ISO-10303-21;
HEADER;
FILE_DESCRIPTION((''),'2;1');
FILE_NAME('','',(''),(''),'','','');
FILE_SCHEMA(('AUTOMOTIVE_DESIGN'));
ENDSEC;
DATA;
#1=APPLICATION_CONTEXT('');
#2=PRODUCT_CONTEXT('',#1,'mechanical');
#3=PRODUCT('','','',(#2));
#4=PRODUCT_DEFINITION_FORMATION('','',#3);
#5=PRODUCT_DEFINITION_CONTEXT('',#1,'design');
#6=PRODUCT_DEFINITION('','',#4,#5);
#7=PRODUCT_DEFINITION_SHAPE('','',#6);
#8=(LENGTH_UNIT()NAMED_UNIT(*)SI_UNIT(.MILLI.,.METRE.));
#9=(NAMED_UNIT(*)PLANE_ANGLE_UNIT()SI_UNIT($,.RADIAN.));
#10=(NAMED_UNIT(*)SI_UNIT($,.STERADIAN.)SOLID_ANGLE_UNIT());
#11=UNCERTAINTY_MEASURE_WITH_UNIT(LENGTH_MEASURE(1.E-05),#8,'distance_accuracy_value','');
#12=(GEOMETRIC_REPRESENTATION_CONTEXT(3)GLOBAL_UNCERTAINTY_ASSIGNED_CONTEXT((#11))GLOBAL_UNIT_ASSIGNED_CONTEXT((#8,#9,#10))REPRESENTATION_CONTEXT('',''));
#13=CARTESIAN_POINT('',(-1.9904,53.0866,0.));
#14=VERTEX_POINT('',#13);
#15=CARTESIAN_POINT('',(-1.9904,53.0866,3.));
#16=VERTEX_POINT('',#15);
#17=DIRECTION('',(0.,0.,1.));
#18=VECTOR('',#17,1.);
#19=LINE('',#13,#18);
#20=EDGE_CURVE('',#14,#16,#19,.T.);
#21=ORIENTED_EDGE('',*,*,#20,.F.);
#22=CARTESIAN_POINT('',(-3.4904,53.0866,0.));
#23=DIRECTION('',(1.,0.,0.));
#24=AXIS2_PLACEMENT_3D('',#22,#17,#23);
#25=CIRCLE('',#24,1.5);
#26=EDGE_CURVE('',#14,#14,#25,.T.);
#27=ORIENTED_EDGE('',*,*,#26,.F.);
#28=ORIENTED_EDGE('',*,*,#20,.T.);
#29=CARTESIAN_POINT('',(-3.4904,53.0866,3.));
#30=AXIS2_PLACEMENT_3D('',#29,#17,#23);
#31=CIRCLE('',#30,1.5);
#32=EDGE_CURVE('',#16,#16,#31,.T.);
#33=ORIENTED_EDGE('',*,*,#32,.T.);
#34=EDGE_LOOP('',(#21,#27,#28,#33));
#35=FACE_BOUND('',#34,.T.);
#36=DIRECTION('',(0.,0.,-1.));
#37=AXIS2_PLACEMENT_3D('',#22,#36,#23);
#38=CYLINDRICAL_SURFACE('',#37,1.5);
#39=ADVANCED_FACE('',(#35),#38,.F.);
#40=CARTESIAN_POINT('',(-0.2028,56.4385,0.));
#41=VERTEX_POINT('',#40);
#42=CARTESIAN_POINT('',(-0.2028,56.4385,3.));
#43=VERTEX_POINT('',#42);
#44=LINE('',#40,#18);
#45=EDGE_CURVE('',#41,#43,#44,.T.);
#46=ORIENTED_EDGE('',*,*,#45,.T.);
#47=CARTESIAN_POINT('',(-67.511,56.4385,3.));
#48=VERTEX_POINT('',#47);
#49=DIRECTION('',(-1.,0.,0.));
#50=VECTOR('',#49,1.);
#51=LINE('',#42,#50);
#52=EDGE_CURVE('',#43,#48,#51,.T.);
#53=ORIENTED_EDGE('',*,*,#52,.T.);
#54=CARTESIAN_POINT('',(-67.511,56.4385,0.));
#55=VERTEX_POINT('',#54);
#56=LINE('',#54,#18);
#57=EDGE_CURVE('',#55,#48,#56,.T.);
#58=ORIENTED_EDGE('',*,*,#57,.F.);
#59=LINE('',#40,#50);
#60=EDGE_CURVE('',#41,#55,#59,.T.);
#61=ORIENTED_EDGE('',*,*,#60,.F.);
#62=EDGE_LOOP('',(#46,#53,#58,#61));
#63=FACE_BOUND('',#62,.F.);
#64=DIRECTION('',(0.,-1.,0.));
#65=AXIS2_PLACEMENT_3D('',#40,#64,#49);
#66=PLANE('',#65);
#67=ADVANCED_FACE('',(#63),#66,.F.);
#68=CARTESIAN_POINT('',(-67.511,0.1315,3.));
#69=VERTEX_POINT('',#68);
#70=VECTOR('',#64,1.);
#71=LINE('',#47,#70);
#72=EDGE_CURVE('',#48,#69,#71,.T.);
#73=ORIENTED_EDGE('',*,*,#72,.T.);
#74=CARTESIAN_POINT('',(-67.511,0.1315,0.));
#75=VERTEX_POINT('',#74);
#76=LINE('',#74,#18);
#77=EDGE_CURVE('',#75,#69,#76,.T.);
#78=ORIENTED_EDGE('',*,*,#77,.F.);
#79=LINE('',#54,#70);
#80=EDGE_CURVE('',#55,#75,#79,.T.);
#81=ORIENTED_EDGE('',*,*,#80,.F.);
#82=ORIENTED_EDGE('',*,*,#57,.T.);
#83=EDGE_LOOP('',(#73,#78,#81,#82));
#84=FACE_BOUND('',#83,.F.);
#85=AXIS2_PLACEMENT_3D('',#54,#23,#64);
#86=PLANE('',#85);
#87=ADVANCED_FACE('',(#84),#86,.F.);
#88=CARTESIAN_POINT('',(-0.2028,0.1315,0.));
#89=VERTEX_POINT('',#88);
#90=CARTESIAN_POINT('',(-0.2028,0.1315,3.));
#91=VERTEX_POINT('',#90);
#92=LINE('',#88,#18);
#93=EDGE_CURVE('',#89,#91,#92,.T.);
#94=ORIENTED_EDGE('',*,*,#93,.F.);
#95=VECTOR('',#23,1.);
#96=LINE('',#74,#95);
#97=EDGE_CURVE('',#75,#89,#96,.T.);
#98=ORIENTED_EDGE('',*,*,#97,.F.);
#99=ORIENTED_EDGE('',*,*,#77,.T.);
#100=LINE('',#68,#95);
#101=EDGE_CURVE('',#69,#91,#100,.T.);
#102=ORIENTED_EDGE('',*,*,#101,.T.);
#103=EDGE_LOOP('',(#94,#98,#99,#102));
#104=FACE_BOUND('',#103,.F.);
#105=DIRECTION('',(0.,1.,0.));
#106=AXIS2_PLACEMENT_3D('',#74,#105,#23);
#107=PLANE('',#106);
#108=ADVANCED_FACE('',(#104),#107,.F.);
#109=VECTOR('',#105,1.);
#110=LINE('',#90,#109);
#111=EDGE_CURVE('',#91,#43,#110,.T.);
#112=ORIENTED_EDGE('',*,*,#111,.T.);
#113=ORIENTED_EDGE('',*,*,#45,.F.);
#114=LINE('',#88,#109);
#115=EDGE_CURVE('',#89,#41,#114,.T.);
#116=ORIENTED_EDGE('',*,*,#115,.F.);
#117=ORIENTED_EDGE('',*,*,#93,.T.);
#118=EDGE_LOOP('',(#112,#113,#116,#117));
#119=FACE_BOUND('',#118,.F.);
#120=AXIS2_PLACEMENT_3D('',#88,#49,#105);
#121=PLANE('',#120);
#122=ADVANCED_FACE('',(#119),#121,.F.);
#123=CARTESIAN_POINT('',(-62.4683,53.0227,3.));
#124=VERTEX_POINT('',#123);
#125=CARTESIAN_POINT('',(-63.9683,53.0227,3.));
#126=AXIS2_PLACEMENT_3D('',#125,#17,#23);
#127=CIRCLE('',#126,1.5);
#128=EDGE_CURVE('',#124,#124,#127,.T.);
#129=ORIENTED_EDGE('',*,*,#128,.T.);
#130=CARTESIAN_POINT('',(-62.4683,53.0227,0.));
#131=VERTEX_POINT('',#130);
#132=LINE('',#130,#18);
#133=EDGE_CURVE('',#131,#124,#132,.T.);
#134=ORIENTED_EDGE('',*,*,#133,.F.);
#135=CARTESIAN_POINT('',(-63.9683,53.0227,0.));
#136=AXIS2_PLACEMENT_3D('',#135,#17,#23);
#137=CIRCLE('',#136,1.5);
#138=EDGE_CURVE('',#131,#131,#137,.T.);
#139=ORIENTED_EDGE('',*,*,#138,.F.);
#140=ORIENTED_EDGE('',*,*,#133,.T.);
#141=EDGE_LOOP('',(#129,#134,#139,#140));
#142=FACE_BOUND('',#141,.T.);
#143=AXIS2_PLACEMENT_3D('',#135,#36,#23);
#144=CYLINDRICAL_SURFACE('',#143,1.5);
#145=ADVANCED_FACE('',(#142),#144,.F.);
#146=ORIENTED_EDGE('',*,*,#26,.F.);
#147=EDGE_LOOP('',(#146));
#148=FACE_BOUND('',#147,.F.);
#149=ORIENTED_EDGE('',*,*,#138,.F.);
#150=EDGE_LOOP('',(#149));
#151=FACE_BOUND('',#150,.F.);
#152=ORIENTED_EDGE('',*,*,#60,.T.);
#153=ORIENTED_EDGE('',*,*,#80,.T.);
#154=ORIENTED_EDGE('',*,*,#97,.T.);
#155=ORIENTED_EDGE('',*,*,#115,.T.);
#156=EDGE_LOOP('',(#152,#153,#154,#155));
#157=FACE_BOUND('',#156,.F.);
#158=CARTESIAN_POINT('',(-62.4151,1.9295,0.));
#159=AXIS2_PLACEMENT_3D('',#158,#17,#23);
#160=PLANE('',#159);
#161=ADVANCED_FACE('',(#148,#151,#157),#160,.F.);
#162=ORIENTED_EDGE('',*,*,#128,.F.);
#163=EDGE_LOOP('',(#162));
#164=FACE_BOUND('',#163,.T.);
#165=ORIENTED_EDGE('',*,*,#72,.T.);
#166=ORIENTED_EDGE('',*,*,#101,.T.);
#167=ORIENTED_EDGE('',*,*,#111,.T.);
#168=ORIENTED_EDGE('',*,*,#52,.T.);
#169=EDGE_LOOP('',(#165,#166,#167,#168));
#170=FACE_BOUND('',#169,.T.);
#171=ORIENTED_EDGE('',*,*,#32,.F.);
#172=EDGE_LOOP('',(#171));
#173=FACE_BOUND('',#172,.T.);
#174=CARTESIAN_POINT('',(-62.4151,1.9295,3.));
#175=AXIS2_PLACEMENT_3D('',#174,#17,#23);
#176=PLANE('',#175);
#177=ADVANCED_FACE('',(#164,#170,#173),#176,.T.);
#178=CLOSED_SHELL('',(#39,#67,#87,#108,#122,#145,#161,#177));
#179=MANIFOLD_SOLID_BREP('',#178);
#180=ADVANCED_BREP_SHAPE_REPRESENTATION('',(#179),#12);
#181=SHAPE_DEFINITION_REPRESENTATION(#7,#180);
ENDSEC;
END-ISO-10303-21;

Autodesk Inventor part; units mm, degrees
ref_plane "YZ Plane" through (0, 0, 0) normal (1, 0, 0) x (0, 1, 0)
ref_plane "XZ Plane" through (0, 0, 0) normal (0, 1, 0) x (-1, 0, 0)
ref_plane "XY Plane" through (0, 0, 0) normal (0, 0, 1) x (1, 0, 0)
ref_plane "Work Plane1" through (-62.4151, 1.9295, 0) normal (0, 0, 1) x (1, 0, 0)
sketch "Sketch1" plane through (-62.4151, 1.9295, 0) normal (0, 0, 1) x (1, 0, 0)
  line L0 (-5.0959, -1.798) -> (62.2123, -1.798)
  line L1 (62.2123, -1.798) -> (62.2123, 54.509)
  line L2 (62.2123, 54.509) -> (-5.0959, 54.509)
  line L3 (-5.0959, 54.509) -> (-5.0959, -1.798)
  circle A0 centre (-1.5532, 51.0932) radius 1.5
  circle A1 centre (58.9247, 51.1571) radius 1.5
  point P0 (62.4151, -1.9295)
  dimension "d1" = 3
  dimension "d6" = 3
extrude "Extrusion1" add sketch "Sketch1" along normal blind 3
properties part number "RelayTray"
